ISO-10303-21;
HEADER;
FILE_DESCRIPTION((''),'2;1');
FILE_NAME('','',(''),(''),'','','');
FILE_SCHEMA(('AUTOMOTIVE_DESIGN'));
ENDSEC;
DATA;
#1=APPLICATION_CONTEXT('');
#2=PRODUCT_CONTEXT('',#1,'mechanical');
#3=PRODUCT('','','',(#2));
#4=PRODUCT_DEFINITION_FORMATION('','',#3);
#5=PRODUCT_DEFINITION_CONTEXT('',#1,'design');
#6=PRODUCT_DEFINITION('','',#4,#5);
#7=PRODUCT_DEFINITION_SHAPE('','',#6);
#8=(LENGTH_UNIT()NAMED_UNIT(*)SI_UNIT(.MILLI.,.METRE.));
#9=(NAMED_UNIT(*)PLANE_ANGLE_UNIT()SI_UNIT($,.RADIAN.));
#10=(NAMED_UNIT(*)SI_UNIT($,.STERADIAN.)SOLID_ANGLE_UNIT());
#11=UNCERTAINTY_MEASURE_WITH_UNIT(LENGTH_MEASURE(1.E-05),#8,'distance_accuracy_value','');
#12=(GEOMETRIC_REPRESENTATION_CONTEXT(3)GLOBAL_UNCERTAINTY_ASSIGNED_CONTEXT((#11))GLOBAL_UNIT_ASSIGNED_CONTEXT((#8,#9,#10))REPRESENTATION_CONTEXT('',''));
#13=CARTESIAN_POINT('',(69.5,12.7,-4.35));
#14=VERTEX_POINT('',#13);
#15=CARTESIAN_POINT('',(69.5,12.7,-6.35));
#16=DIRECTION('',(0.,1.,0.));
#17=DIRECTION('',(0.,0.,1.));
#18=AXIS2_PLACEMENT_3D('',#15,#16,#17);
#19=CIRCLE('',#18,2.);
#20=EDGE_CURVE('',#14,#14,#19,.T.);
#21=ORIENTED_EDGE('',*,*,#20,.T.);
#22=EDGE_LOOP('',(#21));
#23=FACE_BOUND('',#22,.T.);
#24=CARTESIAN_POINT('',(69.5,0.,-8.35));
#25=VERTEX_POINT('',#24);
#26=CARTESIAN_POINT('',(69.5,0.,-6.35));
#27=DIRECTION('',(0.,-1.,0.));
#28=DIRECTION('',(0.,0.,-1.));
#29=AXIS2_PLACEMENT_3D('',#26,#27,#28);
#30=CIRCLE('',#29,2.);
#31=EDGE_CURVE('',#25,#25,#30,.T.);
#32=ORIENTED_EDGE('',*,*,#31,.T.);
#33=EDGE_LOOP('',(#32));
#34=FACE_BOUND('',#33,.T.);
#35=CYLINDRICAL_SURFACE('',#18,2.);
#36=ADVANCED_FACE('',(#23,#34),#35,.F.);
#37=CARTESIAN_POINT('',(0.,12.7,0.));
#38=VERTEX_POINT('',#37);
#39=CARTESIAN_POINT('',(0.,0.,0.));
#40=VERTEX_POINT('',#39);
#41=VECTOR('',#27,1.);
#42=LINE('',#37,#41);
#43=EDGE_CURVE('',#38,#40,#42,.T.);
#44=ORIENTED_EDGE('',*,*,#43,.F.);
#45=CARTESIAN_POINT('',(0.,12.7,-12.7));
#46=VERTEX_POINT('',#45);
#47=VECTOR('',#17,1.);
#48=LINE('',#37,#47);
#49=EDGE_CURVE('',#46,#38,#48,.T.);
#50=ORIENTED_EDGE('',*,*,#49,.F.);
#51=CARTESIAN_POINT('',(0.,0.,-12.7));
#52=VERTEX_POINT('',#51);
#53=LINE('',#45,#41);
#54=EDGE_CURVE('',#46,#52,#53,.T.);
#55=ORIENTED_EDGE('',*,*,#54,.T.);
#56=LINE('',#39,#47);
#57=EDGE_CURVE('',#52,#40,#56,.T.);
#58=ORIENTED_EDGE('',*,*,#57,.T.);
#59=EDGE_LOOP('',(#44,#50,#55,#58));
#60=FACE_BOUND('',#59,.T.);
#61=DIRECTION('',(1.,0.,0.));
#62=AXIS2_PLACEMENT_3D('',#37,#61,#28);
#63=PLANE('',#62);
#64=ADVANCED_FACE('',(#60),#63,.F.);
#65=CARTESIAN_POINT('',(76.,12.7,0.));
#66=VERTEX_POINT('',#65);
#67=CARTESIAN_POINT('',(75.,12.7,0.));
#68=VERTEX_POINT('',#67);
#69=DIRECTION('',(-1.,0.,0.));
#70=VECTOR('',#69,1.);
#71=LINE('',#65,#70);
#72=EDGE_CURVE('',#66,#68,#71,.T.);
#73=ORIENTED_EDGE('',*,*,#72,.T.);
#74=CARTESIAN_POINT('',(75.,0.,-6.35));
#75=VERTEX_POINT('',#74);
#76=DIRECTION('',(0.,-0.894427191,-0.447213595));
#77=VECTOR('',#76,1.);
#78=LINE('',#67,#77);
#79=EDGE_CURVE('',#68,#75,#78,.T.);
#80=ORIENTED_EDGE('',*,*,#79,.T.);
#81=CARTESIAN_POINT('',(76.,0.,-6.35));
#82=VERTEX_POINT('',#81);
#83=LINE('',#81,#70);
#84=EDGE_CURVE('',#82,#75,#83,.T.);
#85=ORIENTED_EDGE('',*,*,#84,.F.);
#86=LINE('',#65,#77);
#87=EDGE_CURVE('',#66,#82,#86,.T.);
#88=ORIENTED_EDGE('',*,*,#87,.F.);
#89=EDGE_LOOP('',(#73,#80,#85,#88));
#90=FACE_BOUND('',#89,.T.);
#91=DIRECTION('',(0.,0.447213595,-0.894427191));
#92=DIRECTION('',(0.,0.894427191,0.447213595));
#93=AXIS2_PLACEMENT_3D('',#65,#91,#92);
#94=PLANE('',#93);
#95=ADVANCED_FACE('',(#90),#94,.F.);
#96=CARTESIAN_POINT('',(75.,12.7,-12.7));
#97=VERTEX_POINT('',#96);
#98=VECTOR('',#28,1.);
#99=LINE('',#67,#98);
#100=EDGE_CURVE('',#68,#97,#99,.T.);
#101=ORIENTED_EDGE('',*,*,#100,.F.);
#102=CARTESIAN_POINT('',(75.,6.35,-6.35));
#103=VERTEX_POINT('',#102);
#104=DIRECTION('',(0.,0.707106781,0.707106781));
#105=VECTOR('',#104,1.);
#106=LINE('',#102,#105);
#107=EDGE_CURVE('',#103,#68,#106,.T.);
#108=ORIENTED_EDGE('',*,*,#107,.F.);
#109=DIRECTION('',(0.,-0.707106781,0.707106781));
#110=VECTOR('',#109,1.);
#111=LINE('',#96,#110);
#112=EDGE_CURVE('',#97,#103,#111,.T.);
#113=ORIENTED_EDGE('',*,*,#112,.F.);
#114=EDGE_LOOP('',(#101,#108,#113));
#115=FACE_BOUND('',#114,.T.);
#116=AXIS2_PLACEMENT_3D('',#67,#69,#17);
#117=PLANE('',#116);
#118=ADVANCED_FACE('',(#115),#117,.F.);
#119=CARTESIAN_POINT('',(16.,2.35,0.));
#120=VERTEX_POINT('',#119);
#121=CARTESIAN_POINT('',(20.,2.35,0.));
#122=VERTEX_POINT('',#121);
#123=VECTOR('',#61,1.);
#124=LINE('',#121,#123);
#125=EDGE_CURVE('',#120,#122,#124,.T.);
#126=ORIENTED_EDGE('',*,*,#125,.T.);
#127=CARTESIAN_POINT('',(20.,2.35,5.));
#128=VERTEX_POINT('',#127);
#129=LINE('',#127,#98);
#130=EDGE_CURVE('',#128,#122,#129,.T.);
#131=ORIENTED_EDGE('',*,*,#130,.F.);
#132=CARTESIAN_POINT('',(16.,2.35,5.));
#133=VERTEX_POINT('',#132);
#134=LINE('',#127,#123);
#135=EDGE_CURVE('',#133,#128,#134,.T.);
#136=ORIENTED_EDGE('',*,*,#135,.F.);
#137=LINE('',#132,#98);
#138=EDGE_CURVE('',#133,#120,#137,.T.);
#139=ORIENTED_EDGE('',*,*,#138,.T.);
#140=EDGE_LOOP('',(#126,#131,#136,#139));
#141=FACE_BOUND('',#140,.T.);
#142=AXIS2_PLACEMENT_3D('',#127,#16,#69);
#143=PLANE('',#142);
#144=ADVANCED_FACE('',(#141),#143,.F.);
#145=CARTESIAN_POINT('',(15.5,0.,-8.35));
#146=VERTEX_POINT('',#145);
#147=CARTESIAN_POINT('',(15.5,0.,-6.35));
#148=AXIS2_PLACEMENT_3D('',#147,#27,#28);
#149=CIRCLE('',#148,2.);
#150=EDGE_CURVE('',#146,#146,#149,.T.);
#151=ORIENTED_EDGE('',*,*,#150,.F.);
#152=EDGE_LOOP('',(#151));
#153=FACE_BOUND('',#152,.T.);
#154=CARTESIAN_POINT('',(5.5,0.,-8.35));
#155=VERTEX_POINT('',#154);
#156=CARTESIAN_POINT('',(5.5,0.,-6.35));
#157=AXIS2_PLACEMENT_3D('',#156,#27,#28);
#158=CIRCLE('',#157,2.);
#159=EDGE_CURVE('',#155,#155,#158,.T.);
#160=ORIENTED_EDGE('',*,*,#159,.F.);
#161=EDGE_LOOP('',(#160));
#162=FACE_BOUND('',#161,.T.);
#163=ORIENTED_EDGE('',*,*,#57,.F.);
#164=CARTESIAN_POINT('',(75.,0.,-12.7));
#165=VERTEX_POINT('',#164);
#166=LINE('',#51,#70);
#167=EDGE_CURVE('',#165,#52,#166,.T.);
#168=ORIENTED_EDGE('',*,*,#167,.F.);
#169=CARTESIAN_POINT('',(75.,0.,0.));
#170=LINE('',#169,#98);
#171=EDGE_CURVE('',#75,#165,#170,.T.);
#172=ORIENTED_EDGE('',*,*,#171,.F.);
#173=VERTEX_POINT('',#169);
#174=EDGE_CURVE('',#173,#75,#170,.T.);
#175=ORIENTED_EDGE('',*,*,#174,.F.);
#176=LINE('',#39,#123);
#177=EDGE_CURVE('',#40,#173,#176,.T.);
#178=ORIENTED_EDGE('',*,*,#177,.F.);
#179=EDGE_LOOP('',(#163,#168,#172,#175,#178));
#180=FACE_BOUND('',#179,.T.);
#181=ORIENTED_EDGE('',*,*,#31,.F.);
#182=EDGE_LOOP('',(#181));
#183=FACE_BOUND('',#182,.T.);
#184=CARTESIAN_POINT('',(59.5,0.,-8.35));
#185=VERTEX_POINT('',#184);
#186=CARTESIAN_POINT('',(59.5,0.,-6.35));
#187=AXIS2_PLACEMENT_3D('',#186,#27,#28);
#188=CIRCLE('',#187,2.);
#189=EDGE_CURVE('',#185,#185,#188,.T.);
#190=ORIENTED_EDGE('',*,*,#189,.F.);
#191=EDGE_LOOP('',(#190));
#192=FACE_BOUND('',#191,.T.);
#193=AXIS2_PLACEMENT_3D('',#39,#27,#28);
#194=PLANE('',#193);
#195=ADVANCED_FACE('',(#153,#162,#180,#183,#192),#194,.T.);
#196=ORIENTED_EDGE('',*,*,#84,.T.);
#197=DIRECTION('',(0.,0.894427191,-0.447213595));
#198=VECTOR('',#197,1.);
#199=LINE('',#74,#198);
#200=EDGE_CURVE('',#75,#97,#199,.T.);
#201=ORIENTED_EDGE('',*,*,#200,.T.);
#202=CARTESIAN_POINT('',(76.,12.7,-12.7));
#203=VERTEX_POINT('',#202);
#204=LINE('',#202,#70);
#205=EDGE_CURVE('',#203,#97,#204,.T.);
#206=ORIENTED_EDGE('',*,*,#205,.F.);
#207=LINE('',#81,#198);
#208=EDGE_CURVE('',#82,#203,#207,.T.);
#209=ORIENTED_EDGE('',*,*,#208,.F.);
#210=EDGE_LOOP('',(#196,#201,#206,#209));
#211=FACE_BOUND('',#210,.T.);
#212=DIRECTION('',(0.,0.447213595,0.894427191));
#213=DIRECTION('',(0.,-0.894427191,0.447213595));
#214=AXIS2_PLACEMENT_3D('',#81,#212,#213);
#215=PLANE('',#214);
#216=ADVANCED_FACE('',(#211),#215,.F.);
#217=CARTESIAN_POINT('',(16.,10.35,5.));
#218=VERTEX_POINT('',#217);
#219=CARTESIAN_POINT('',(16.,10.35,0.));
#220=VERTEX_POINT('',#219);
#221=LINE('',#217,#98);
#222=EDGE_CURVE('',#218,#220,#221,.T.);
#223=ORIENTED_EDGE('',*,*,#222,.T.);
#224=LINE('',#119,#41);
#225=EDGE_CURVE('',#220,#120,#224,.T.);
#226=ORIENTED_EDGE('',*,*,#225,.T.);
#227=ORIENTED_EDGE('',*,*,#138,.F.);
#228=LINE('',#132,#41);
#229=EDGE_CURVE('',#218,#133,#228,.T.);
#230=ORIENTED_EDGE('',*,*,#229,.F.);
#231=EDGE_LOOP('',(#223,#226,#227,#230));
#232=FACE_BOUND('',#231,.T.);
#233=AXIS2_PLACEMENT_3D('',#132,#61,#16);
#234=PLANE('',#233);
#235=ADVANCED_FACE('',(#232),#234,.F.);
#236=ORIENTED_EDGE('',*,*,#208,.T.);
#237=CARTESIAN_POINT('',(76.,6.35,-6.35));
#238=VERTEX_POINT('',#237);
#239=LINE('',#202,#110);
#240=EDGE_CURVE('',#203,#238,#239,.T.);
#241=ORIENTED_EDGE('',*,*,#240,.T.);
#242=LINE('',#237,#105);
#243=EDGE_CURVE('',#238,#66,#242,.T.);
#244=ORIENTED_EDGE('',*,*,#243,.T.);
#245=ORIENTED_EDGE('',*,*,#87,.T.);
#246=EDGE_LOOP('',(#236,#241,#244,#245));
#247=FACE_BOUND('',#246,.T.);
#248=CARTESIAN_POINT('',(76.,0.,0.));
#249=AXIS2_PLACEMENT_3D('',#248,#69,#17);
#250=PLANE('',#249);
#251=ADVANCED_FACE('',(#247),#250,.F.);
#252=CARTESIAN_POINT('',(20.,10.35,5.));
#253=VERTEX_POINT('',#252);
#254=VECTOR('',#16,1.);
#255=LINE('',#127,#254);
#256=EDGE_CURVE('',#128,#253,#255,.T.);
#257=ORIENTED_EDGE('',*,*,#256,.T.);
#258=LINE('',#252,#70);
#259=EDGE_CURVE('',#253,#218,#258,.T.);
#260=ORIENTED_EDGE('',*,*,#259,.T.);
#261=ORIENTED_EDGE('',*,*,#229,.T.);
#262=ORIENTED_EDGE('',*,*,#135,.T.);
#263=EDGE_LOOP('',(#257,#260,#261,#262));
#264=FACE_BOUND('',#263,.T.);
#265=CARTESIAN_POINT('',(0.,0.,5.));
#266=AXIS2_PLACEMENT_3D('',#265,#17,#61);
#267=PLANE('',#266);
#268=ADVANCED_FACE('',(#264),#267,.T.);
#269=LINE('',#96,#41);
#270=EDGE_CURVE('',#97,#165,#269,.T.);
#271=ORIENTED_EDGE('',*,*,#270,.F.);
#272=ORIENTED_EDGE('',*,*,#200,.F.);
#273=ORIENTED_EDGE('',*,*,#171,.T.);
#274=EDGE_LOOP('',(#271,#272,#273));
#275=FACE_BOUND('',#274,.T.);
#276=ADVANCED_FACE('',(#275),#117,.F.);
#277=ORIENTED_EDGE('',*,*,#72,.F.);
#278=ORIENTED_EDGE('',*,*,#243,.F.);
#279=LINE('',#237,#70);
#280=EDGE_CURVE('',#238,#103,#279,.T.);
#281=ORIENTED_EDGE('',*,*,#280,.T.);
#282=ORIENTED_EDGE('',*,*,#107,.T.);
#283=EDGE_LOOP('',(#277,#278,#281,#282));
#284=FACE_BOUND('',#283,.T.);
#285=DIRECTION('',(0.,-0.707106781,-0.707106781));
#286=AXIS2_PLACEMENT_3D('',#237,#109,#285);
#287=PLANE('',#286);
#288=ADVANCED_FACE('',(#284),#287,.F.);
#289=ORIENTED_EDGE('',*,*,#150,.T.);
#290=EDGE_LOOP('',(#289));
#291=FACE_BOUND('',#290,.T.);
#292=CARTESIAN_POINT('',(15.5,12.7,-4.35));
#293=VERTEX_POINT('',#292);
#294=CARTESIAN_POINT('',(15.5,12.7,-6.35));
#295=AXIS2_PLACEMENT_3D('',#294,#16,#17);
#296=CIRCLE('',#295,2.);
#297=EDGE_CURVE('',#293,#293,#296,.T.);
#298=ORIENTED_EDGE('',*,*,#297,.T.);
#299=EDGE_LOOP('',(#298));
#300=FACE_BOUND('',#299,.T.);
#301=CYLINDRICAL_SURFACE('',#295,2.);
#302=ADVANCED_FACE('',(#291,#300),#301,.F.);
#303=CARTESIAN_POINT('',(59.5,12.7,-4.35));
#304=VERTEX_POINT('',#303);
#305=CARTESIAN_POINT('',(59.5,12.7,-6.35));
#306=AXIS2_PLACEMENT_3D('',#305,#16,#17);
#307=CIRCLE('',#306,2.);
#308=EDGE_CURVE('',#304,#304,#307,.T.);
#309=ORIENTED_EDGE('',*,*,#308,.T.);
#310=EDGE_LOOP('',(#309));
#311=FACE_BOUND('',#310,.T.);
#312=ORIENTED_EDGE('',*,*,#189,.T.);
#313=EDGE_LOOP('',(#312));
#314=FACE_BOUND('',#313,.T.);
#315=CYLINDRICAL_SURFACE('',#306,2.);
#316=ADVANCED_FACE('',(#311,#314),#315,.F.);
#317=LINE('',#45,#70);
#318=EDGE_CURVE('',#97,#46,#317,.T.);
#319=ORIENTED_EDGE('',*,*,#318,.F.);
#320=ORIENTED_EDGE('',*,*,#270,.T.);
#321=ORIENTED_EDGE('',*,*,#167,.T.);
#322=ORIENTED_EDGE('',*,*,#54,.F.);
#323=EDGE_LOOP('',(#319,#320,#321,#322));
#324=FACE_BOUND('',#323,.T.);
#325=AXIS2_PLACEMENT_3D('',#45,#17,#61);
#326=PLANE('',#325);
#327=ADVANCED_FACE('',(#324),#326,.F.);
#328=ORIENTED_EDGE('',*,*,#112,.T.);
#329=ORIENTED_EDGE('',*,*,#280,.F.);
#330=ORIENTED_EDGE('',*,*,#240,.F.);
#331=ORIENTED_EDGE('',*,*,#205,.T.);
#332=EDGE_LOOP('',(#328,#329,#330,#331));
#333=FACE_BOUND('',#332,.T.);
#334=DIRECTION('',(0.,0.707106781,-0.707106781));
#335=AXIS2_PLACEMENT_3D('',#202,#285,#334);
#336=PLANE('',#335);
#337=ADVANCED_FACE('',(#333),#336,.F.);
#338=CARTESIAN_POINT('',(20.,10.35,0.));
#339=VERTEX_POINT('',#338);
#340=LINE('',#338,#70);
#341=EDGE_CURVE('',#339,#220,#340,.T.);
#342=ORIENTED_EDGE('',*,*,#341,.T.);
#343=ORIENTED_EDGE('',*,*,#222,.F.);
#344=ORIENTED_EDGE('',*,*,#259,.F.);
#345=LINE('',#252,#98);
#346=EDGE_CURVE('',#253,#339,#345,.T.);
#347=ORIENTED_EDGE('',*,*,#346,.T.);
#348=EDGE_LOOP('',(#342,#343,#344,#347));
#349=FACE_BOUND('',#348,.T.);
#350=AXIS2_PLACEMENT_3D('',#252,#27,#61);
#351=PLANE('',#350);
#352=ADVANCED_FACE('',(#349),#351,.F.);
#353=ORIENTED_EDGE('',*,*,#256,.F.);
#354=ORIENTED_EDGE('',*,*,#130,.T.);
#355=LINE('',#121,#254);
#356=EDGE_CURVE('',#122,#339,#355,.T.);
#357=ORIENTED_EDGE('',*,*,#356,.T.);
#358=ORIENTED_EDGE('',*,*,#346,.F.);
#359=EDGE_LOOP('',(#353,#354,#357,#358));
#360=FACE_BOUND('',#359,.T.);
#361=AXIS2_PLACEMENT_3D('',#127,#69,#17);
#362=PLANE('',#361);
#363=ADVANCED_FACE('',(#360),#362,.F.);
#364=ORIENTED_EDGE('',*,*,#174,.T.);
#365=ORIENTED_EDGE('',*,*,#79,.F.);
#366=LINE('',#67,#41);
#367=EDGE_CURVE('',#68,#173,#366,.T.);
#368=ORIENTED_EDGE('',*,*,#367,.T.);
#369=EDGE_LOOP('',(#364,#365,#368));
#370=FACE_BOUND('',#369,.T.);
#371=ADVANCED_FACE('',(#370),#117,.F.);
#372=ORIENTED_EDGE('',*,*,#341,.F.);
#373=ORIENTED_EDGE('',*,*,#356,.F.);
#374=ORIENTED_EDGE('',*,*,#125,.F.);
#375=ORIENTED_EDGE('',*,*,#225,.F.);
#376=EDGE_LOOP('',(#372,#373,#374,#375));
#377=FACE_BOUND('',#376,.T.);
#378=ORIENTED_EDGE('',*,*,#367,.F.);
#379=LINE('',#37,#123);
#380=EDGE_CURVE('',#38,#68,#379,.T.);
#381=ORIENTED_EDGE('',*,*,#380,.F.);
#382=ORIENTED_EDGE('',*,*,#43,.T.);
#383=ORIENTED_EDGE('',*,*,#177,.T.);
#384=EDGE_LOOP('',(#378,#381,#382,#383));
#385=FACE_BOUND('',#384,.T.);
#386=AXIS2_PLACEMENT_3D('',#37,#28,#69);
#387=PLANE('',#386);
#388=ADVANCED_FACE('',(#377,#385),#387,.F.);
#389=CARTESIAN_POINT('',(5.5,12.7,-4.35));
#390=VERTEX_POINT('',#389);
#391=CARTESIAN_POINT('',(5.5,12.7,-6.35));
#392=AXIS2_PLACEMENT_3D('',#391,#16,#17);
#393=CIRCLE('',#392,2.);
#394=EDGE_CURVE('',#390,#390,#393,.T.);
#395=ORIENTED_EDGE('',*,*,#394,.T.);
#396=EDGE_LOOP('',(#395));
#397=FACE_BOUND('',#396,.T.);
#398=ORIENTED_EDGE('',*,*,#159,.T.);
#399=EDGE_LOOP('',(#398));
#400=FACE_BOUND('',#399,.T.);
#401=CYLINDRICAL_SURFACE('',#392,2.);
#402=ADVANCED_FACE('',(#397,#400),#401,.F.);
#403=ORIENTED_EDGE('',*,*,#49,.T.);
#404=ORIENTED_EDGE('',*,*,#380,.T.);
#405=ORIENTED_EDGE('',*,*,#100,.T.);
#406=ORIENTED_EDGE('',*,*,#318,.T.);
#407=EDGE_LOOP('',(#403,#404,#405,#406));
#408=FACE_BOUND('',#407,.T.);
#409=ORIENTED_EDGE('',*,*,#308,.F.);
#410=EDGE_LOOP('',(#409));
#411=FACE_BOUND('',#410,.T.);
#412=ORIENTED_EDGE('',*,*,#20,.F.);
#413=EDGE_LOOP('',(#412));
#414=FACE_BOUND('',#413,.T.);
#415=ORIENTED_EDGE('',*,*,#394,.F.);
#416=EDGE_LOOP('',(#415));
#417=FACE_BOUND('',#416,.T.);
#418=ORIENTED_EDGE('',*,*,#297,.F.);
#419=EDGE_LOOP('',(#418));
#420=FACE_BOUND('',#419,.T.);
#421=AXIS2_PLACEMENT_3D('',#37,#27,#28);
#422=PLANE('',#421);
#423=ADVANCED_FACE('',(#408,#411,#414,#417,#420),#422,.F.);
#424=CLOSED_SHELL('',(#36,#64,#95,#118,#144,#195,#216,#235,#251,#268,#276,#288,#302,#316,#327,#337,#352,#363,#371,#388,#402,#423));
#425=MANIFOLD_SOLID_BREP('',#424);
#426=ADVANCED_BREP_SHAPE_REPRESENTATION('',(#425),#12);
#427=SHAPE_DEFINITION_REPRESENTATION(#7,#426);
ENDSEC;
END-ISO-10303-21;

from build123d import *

# Parameters (mm, degrees)
SKETCH1_W                 = 75
SKETCH1_H                 = 12.7
BOSS_EXTRUDE1_DEPTH       = 12.7
F_4_0MM_DOWEL_HOLE1_D     = 4
F_4_0MM_DOWEL_HOLE1_DEPTH = 117.6291
F_4_0MM_DOWEL_HOLE1_TIP   = 1.201721238
SKETCH4_W                 = 4
SKETCH4_H                 = 8
BOSS_EXTRUDE2_DEPTH       = 5
BOSS_EXTRUDE3_DEPTH       = 1


with BuildPart() as part:
    # Sketch1 → Boss-Extrude1 (new body)
    with BuildSketch(Plane(origin=(0, 0, 0), x_dir=(1, 0, 0), z_dir=(0, 1, 0))):
        with Locations((37.5, 6.35)):
            Rectangle(SKETCH1_W, SKETCH1_H)
    extrude(amount=BOSS_EXTRUDE1_DEPTH)

    # Ø4.0mm Dowel Hole1
    with Locations(Plane(origin=(0, 12.7, 0), x_dir=(1, 0, 0), z_dir=(0, 1, 0))):
        with Locations((69.5, 6.35), (59.5, 6.35), (5.5, 6.35), (15.5, 6.35)):
            Hole(F_4_0MM_DOWEL_HOLE1_D / 2, depth=F_4_0MM_DOWEL_HOLE1_DEPTH)
            with Locations((0, 0, -(F_4_0MM_DOWEL_HOLE1_DEPTH + F_4_0MM_DOWEL_HOLE1_TIP / 2))):  # 118° drill point
                Cone(0, F_4_0MM_DOWEL_HOLE1_D / 2, F_4_0MM_DOWEL_HOLE1_TIP, mode=Mode.SUBTRACT)

    # Sketch4 → Boss-Extrude2 (add)
    with BuildSketch(Plane.XY):
        with Locations((18, 6.35)):
            Rectangle(SKETCH4_W, SKETCH4_H)
    extrude(amount=BOSS_EXTRUDE2_DEPTH)

    # Sketch6 → Boss-Extrude3 (add)
    with BuildSketch(Plane(origin=(75, 0, 0), x_dir=(0, 0, -1), z_dir=(1, 0, 0))):
        Polygon((6.35, 0), (12.7, 12.7), (6.35, 6.35), (0, 12.7), align=None)
    extrude(amount=BOSS_EXTRUDE3_DEPTH)


solid = part.part
